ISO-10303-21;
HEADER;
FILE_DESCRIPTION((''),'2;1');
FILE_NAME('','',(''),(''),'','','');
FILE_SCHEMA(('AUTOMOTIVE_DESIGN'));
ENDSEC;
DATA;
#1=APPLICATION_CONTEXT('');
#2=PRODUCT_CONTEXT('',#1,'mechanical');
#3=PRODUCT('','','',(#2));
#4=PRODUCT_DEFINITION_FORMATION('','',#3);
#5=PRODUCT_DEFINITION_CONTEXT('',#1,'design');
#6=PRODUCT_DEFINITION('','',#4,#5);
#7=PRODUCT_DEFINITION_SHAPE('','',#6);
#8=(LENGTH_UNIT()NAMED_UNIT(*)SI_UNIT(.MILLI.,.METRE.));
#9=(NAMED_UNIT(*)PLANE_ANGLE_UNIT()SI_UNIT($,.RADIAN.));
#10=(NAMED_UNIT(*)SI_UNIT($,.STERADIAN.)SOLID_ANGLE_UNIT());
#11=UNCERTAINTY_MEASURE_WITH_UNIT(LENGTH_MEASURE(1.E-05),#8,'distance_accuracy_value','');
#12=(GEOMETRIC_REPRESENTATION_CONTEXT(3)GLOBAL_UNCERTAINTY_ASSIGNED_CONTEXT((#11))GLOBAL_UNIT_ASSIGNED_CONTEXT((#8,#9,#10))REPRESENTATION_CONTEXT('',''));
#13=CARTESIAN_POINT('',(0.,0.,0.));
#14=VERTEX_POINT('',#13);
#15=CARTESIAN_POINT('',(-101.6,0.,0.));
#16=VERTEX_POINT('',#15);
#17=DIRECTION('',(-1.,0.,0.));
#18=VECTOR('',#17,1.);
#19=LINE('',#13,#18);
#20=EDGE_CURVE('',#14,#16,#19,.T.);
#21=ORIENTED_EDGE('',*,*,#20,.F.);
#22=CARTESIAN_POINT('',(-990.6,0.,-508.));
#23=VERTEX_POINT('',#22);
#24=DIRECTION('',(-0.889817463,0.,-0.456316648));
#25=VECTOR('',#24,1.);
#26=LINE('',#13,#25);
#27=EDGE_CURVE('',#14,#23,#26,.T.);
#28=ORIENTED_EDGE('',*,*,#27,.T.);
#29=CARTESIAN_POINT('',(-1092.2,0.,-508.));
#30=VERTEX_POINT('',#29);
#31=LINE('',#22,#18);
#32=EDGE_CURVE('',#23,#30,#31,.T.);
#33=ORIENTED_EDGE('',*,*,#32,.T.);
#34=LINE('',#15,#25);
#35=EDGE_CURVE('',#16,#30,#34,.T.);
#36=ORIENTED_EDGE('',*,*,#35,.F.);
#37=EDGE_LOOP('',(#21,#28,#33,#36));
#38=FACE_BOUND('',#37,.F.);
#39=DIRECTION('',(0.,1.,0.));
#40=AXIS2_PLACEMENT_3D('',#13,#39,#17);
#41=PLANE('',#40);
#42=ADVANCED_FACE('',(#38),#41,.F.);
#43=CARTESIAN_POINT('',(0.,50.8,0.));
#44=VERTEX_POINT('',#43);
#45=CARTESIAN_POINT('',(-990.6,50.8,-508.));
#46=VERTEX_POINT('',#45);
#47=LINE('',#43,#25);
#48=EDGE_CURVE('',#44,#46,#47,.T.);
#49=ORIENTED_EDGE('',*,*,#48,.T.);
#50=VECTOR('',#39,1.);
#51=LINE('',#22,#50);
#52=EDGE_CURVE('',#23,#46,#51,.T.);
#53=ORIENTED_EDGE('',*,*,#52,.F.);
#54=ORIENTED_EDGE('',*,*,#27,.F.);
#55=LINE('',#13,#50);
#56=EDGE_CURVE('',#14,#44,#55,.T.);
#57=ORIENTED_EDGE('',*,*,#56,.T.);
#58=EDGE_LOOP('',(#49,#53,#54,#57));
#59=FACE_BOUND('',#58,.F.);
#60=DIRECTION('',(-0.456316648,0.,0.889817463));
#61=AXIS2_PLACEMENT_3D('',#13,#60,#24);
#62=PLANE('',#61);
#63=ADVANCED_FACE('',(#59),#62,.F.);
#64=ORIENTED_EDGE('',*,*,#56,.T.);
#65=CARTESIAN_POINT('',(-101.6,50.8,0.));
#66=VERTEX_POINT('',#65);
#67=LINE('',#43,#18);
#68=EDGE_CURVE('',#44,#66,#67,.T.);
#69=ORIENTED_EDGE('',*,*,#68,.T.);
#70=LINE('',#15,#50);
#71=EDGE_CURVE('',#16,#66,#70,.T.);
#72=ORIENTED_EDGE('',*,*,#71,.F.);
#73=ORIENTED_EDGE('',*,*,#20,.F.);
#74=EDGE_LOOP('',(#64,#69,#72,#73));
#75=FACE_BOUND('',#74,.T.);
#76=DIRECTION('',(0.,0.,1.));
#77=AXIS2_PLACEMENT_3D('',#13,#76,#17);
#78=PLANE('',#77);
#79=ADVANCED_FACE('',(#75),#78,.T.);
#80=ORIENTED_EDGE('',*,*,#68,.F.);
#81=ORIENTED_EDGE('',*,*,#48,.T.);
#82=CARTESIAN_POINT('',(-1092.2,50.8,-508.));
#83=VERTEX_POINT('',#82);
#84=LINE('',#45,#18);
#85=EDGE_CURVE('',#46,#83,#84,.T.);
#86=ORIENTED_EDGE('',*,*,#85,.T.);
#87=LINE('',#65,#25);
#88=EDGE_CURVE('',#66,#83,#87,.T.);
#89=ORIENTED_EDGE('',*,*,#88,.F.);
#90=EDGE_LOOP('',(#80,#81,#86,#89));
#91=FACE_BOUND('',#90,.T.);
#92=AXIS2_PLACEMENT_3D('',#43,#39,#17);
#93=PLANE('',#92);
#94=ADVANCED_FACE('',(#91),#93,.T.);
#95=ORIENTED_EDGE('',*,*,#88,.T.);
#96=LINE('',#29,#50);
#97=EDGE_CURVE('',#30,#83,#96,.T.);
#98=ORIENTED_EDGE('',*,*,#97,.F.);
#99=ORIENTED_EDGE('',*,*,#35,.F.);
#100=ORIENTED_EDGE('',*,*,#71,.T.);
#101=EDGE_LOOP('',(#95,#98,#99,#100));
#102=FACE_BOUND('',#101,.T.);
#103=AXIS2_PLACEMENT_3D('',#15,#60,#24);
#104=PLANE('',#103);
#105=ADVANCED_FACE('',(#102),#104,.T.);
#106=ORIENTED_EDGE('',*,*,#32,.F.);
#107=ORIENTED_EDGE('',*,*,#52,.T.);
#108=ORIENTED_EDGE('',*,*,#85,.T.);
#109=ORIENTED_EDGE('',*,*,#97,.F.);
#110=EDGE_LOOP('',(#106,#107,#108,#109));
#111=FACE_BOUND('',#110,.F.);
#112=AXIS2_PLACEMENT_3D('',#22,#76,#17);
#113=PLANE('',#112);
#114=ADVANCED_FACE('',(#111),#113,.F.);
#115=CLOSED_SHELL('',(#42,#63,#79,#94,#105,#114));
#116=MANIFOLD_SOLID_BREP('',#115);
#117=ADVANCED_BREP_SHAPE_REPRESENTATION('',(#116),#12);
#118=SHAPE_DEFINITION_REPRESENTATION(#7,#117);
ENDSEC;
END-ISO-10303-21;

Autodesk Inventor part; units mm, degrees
ref_plane "YZ Plane" through (0, 0, 0) normal (1, 0, 0) x (0, 1, 0)
ref_plane "XZ Plane" through (0, 0, 0) normal (0, 1, 0) x (-1, 0, 0)
ref_plane "XY Plane" through (0, 0, 0) normal (0, 0, 1) x (1, 0, 0)
sketch "Sketch1" plane through (0, 0, 0) normal (0, 1, 0) x (-1, 0, 0)
  line L0 (0, 0) -> (990.6, -508)
  line L1 (0, 0) -> (101.6, 0)
  line L2 (990.6, -508) -> (1092.2, -508)
  line L3 (101.6, 0) -> (1092.2, -508)
  point P0 (-50.7969, -505.4539)
  dimension "d0" = 508
  dimension "d1" = 1041.4
  dimension "d2" = 101.6
  dimension "d3" = 101.6
extrude "Extrusion1" add sketch "Sketch1" along normal blind 50.8
properties part number "2x4x(20x39)"
